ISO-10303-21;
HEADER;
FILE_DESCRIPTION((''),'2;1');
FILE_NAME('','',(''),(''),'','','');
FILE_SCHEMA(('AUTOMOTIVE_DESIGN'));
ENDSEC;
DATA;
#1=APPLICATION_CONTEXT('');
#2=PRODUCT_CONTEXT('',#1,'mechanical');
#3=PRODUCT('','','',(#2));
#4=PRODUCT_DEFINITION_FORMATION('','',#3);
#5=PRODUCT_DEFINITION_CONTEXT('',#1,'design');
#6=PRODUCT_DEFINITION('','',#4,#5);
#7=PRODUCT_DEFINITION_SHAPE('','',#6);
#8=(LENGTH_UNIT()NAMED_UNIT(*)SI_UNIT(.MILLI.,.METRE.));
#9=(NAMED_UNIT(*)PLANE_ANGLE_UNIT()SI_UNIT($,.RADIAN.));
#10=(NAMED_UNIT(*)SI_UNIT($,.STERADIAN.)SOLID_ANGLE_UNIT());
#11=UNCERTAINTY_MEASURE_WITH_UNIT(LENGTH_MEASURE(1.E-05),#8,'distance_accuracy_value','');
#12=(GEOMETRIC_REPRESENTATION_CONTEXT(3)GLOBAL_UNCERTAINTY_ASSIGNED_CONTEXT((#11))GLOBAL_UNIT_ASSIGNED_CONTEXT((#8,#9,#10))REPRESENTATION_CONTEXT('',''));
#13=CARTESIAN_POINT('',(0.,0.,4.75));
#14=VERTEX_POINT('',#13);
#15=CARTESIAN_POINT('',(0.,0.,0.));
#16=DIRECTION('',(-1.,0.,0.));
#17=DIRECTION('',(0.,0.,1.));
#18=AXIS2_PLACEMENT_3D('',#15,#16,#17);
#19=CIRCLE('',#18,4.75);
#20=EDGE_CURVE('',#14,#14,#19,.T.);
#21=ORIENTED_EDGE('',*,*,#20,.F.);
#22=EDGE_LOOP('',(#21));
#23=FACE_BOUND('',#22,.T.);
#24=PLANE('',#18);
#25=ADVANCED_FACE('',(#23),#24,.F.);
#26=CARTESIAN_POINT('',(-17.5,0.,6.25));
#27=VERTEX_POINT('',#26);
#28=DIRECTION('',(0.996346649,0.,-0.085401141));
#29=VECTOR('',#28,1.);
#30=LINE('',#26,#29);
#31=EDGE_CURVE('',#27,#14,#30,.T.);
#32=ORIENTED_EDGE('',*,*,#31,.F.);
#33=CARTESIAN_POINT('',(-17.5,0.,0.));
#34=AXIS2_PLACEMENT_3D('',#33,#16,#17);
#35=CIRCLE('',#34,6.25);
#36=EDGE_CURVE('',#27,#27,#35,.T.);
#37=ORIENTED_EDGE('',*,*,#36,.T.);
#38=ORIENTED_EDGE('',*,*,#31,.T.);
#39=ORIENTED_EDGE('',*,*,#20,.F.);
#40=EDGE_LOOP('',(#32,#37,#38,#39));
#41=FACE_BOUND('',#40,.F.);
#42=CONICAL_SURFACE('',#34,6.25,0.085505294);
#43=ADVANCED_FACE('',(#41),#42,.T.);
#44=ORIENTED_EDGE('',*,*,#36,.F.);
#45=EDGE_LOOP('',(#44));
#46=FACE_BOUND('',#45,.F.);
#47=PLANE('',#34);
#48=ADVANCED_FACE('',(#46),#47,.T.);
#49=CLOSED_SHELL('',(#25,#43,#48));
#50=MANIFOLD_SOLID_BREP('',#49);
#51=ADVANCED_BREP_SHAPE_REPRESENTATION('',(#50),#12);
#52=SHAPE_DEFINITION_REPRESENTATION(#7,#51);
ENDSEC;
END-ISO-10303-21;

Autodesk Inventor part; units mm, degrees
ref_plane "YZ Plane" through (0, 0, 0) normal (1, 0, 0) x (0, 1, 0)
ref_plane "XZ Plane" through (0, 0, 0) normal (0, 1, 0) x (-1, 0, 0)
ref_plane "XY Plane" through (0, 0, 0) normal (0, 0, 1) x (1, 0, 0)
sketch "Sketch1" plane through (0, 0, 0) normal (0, 1, 0) x (-1, 0, 0)
  line L0 (0, 0) -> (0, 4.75)
  line L1 (0, 0) -> (17.5, 0)
  line L2 (17.5, 0) -> (17.5, 6.25)
  line L3 (17.5, 6.25) -> (0, 4.75)
  dimension "d0" = 4.75
  dimension "d1" = 17.5
  dimension "d2" = 6.25
revolve "Revolution1" add sketch "Sketch1" angle 360 about axis through (0, 0, 0) along (-1, 0, 0)
properties part number "Tapon conico 12mm" material "Rubber"
